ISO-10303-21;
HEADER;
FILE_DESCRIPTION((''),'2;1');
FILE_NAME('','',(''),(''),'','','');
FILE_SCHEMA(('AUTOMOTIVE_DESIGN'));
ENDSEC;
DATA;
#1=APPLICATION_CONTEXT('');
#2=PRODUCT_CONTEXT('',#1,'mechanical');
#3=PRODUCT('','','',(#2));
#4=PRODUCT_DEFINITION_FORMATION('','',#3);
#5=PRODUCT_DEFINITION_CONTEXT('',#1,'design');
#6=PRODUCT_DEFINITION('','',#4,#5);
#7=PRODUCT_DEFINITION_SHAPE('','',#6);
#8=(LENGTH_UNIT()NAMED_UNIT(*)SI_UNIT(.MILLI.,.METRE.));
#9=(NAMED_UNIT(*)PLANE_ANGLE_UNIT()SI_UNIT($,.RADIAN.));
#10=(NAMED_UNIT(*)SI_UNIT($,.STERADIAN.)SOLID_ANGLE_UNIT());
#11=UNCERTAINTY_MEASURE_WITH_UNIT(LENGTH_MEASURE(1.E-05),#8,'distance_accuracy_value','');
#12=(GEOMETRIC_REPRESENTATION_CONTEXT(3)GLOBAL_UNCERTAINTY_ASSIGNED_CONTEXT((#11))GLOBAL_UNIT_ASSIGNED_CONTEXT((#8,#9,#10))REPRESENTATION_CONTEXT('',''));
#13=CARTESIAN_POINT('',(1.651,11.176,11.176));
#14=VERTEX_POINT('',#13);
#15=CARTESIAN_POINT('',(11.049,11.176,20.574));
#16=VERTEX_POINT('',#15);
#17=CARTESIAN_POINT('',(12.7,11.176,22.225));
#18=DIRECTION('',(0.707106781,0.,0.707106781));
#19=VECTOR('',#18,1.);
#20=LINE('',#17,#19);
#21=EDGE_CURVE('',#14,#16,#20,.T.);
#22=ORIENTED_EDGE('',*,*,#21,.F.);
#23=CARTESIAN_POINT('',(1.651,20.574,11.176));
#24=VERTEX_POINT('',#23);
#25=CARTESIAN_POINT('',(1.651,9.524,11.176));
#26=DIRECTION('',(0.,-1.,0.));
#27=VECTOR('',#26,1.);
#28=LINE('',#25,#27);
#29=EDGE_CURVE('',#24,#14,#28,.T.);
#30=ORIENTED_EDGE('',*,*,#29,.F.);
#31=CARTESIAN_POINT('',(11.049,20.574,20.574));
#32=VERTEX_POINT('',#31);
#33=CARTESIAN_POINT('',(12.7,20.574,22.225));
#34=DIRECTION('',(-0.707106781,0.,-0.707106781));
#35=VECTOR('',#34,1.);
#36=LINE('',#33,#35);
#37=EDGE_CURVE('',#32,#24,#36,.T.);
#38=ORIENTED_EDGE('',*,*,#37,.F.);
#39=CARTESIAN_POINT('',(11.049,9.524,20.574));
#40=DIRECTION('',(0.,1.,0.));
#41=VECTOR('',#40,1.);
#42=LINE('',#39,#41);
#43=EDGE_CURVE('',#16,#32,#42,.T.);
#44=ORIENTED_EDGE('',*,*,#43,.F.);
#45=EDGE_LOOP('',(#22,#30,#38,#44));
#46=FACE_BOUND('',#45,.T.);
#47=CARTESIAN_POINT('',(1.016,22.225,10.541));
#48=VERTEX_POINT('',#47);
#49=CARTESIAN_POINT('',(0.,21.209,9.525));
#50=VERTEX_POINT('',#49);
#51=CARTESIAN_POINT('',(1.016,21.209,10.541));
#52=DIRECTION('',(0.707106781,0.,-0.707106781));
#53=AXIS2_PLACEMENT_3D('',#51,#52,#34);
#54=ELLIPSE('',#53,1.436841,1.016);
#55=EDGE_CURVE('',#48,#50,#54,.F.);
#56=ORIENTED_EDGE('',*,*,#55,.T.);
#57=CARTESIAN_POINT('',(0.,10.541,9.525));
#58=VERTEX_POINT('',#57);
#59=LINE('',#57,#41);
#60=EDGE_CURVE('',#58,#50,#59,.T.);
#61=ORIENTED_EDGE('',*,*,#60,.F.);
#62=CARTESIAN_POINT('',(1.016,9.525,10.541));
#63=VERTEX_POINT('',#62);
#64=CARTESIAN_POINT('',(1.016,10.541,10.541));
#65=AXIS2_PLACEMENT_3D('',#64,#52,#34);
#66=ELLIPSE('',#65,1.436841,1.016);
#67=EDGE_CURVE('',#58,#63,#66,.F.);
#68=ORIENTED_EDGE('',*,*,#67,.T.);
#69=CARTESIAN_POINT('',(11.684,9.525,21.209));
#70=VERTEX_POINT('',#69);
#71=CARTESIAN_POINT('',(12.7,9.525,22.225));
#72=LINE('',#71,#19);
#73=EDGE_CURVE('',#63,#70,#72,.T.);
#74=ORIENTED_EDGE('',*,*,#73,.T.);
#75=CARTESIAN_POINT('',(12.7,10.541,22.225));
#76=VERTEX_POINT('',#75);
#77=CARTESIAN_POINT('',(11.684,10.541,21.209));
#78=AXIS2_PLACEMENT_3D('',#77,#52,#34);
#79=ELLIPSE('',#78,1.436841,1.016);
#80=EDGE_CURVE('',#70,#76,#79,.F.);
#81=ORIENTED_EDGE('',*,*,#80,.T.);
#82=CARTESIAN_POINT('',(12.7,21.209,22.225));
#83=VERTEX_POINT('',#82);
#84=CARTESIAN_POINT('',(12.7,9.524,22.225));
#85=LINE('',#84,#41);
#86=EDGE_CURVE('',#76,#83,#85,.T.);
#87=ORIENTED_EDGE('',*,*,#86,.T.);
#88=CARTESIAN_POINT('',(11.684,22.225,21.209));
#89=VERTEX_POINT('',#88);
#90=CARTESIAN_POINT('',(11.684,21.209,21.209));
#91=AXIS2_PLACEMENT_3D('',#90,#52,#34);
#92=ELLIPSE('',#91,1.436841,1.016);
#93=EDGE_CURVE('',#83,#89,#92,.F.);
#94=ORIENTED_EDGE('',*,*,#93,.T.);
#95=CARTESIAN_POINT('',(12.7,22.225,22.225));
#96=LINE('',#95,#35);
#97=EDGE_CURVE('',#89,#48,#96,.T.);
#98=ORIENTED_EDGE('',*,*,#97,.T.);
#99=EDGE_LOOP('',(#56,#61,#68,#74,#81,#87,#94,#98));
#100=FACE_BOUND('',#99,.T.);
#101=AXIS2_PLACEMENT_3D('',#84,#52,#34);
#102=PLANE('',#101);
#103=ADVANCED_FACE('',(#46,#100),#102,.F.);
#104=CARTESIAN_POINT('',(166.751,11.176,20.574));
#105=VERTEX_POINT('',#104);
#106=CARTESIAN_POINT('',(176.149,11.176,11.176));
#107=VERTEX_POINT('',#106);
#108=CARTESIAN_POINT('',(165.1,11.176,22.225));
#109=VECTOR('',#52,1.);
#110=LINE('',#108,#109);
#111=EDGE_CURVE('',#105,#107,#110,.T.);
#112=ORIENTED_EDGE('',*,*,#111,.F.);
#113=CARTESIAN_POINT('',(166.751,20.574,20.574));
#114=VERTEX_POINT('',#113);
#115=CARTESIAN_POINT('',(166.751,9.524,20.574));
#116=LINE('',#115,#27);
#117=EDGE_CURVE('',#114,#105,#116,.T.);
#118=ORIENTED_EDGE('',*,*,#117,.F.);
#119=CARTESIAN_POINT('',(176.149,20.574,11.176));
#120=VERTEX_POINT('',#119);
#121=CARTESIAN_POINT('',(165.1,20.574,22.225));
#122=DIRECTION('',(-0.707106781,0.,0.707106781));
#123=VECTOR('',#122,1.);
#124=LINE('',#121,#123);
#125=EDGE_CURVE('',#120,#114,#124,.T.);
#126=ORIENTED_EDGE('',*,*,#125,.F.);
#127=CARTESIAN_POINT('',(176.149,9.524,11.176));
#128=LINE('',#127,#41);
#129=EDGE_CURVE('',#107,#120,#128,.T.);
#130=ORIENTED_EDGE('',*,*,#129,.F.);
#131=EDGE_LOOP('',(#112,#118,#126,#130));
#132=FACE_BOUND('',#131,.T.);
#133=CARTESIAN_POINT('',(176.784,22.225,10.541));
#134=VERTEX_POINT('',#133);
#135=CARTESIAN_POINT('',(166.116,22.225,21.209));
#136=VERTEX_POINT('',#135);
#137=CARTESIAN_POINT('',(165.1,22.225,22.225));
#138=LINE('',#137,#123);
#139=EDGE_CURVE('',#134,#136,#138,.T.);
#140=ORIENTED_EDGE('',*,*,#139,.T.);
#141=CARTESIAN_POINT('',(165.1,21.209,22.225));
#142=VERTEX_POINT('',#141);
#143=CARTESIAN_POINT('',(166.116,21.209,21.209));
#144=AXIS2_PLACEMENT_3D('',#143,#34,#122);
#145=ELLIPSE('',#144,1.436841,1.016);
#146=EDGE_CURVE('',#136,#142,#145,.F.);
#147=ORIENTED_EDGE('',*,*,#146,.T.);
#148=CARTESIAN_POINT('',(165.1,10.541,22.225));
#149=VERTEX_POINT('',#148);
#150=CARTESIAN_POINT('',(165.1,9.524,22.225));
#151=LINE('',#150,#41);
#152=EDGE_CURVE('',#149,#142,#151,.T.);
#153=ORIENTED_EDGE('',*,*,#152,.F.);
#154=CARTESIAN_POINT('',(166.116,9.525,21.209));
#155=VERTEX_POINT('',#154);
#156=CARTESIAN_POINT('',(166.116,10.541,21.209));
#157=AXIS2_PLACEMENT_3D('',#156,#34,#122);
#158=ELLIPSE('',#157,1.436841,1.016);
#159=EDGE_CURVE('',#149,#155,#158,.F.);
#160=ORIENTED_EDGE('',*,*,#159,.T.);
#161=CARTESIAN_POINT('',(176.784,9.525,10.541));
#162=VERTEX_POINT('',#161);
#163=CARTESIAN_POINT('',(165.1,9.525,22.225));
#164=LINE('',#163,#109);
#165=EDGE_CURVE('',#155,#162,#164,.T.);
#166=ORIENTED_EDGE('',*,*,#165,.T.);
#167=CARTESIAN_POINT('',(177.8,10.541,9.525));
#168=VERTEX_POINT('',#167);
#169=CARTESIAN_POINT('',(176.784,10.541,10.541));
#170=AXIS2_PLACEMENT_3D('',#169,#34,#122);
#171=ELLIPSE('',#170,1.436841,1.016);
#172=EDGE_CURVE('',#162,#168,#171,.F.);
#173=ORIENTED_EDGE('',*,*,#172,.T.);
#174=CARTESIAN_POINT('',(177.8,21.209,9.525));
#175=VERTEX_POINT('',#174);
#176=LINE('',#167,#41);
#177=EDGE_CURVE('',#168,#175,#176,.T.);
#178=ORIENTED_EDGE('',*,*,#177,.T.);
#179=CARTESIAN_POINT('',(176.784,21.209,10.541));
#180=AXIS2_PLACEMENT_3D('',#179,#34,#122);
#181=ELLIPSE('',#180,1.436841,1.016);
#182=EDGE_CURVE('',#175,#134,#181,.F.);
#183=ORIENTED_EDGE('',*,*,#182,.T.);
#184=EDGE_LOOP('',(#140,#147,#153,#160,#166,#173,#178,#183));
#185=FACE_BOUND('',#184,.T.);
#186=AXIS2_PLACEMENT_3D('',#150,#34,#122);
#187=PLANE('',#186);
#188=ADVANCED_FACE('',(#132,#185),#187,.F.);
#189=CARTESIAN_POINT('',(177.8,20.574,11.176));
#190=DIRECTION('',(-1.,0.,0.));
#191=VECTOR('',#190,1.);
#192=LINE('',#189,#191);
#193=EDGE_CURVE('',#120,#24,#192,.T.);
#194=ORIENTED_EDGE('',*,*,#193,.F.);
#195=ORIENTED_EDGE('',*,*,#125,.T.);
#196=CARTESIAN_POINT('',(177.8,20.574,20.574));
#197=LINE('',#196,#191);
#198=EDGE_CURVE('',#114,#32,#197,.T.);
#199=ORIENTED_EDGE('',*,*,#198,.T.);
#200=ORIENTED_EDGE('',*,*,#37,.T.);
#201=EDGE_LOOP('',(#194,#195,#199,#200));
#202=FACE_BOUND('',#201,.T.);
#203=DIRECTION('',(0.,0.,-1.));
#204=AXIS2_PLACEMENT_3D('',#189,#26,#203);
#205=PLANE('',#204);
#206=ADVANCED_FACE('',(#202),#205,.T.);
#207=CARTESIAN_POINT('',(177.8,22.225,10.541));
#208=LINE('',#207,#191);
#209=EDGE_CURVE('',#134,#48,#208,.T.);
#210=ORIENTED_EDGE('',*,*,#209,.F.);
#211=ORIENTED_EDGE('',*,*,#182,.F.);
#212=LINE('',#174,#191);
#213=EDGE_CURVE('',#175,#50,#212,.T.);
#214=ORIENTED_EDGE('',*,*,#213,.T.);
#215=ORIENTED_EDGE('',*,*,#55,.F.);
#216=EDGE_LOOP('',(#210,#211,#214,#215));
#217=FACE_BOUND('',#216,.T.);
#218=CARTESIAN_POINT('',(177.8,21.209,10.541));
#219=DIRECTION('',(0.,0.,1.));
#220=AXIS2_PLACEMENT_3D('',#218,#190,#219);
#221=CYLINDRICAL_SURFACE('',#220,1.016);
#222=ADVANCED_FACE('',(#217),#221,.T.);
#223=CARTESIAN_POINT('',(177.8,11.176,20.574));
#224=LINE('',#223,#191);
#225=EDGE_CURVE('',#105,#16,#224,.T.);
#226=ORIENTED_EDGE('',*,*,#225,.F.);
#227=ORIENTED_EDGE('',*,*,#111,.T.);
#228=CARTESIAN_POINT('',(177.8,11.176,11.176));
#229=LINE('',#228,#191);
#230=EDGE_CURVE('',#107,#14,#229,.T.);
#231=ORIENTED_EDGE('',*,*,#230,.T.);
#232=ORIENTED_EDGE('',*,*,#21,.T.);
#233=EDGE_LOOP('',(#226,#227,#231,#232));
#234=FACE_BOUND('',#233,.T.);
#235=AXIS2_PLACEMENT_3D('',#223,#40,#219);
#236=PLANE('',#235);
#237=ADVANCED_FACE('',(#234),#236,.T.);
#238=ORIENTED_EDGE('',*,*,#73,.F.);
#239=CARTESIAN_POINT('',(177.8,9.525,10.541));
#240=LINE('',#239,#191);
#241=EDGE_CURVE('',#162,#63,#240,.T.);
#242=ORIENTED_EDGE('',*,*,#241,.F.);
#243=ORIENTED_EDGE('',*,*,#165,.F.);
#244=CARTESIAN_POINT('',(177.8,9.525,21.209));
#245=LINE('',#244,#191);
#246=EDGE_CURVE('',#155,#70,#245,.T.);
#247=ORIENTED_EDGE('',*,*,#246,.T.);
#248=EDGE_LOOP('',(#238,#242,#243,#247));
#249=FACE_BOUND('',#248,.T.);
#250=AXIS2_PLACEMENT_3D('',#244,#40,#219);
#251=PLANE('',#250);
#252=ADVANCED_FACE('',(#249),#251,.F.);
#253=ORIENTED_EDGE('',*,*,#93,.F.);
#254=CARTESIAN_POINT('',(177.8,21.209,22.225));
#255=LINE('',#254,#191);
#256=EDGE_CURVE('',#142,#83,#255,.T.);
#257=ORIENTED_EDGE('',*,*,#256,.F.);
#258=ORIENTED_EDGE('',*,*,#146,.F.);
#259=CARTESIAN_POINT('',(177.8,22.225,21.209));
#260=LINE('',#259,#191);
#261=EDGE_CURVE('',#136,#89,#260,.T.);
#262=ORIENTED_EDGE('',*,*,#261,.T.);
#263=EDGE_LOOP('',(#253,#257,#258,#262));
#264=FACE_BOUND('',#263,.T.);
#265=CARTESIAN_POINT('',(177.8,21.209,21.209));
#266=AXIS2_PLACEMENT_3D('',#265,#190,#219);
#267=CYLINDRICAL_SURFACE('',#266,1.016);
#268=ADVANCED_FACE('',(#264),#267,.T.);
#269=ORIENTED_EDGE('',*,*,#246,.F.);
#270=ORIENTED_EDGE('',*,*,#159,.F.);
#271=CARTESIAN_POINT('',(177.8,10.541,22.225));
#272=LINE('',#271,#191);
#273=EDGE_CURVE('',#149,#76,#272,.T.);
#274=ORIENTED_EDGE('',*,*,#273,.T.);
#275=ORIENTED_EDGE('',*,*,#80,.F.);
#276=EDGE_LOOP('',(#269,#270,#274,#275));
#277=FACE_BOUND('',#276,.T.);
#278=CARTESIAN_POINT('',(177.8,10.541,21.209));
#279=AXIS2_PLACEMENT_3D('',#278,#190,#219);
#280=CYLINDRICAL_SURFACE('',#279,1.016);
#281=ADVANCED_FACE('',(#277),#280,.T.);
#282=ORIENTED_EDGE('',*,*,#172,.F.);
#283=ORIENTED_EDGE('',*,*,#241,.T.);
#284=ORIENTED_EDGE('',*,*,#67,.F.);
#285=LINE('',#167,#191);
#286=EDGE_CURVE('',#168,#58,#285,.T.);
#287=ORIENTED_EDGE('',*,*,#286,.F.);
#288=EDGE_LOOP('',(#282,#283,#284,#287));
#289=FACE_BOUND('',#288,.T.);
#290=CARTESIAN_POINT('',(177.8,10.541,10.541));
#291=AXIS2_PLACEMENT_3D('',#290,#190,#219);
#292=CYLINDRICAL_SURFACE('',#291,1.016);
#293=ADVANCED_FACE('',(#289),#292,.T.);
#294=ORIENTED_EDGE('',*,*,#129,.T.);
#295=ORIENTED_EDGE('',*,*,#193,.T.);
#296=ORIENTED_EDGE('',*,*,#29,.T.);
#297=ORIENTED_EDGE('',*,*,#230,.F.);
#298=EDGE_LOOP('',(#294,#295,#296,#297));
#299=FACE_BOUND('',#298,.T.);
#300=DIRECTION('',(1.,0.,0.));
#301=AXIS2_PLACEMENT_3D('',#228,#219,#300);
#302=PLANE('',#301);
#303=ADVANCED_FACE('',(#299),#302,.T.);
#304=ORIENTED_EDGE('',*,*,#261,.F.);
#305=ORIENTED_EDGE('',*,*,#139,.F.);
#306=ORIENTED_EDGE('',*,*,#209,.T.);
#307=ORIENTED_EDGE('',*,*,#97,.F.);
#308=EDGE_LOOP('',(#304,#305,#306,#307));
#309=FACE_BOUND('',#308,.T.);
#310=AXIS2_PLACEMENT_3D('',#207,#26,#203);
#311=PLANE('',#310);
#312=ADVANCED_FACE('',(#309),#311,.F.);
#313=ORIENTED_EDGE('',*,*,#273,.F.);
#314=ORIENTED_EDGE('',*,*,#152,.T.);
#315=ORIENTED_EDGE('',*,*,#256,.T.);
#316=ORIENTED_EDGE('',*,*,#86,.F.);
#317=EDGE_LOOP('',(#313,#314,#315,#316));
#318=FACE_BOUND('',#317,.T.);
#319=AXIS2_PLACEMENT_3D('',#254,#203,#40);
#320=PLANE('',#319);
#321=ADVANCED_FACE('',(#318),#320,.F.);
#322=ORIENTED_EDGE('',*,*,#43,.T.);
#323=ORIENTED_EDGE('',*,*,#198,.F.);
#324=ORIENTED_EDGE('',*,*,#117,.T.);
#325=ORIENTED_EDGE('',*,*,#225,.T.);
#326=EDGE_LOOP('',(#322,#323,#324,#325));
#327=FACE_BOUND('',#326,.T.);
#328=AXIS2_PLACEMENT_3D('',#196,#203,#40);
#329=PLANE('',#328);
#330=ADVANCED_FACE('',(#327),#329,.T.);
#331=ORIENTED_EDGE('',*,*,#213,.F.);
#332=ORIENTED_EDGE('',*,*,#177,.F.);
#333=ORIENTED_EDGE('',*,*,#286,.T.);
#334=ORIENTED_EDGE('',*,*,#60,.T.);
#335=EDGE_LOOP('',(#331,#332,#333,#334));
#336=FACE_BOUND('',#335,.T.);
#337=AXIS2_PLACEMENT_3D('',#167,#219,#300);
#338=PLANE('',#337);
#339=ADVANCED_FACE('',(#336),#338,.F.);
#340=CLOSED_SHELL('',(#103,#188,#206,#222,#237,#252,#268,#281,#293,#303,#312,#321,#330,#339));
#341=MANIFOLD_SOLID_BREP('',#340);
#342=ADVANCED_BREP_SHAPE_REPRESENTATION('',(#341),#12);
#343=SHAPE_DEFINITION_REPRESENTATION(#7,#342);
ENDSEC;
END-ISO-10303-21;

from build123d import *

# Parameters (mm, degrees)
SKETCH1_W           = 23.495
SKETCH1_H           = 23.495
BOSS_EXTRUDE1_DEPTH = 177.8
SCALE1_SCALE_X      = 1
SCALE1_SCALE_Y      = 0.4
SCALE1_SCALE_Z      = 0.4
CUT_EXTRUDE3_REACH  = 181.633


with BuildPart() as part:
    # Sketch1 → Boss-Extrude1 (new body)
    with BuildSketch(Plane(origin=(0, 0, 0), x_dir=(0, 0, -1), z_dir=(1, 0, 0))):
        with BuildLine():
            Line((0, 2.54), (0, 29.21))
            ThreePointArc((0, 29.21), (-0.743948776, 31.006051224), (-2.54, 31.75))
            Line((-2.54, 31.75), (-29.21, 31.75))
            ThreePointArc((-29.21, 31.75), (-31.006051224, 31.006051224), (-31.75, 29.21))
            Line((-31.75, 29.21), (-31.75, 2.54))
            ThreePointArc((-31.75, 2.54), (-31.006051224, 0.743948776), (-29.21, 0))
            Line((-29.21, 0), (-2.54, 0))
            ThreePointArc((-2.54, 0), (-0.743948776, 0.743948776), (0, 2.54))
        make_face()
        with Locations((-15.875, 15.875)):
            Rectangle(SKETCH1_W, SKETCH1_H, mode=Mode.SUBTRACT)
    extrude(amount=BOSS_EXTRUDE1_DEPTH)


with BuildPart() as part_1:
    # Scale1: scaled about (88.9, 15.875, 15.875)
    add(part.part.scale((SCALE1_SCALE_X, SCALE1_SCALE_Y, SCALE1_SCALE_Z), about=(88.9, 15.875, 15.875)))

    # Sketch3 → Cut-Extrude3 (cut, up to next)
    with BuildSketch(Plane(origin=(0, 22.225, 0), x_dir=(1, 0, 0), z_dir=(0, 1, 0)), mode=Mode.PRIVATE) as cut_extrude3_sk1:
        Polygon((0, -9.525), (0, -22.225), (12.7, -22.225), align=None)
    cut_extrude3_tool1 = extrude(cut_extrude3_sk1.sketch, amount=-CUT_EXTRUDE3_REACH, mode=Mode.PRIVATE) & part_1.part
    # Sketch3 → Cut-Extrude3 (cut, up to next)
    with BuildSketch(Plane(origin=(0, 22.225, 0), x_dir=(1, 0, 0), z_dir=(0, 1, 0)), mode=Mode.PRIVATE) as cut_extrude3_sk2:
        Polygon((177.8, -22.225), (165.1, -22.225), (177.8, -9.525), align=None)
    cut_extrude3_tool2 = extrude(cut_extrude3_sk2.sketch, amount=-CUT_EXTRUDE3_REACH, mode=Mode.PRIVATE) & part_1.part
    add(cut_extrude3_tool1.solids().sort_by_distance((4.233333, 22.225, 17.991667))[0], mode=Mode.SUBTRACT)
    add(cut_extrude3_tool2.solids().sort_by_distance((173.566667, 22.225, 17.991667))[0], mode=Mode.SUBTRACT)


solid = part_1.part
